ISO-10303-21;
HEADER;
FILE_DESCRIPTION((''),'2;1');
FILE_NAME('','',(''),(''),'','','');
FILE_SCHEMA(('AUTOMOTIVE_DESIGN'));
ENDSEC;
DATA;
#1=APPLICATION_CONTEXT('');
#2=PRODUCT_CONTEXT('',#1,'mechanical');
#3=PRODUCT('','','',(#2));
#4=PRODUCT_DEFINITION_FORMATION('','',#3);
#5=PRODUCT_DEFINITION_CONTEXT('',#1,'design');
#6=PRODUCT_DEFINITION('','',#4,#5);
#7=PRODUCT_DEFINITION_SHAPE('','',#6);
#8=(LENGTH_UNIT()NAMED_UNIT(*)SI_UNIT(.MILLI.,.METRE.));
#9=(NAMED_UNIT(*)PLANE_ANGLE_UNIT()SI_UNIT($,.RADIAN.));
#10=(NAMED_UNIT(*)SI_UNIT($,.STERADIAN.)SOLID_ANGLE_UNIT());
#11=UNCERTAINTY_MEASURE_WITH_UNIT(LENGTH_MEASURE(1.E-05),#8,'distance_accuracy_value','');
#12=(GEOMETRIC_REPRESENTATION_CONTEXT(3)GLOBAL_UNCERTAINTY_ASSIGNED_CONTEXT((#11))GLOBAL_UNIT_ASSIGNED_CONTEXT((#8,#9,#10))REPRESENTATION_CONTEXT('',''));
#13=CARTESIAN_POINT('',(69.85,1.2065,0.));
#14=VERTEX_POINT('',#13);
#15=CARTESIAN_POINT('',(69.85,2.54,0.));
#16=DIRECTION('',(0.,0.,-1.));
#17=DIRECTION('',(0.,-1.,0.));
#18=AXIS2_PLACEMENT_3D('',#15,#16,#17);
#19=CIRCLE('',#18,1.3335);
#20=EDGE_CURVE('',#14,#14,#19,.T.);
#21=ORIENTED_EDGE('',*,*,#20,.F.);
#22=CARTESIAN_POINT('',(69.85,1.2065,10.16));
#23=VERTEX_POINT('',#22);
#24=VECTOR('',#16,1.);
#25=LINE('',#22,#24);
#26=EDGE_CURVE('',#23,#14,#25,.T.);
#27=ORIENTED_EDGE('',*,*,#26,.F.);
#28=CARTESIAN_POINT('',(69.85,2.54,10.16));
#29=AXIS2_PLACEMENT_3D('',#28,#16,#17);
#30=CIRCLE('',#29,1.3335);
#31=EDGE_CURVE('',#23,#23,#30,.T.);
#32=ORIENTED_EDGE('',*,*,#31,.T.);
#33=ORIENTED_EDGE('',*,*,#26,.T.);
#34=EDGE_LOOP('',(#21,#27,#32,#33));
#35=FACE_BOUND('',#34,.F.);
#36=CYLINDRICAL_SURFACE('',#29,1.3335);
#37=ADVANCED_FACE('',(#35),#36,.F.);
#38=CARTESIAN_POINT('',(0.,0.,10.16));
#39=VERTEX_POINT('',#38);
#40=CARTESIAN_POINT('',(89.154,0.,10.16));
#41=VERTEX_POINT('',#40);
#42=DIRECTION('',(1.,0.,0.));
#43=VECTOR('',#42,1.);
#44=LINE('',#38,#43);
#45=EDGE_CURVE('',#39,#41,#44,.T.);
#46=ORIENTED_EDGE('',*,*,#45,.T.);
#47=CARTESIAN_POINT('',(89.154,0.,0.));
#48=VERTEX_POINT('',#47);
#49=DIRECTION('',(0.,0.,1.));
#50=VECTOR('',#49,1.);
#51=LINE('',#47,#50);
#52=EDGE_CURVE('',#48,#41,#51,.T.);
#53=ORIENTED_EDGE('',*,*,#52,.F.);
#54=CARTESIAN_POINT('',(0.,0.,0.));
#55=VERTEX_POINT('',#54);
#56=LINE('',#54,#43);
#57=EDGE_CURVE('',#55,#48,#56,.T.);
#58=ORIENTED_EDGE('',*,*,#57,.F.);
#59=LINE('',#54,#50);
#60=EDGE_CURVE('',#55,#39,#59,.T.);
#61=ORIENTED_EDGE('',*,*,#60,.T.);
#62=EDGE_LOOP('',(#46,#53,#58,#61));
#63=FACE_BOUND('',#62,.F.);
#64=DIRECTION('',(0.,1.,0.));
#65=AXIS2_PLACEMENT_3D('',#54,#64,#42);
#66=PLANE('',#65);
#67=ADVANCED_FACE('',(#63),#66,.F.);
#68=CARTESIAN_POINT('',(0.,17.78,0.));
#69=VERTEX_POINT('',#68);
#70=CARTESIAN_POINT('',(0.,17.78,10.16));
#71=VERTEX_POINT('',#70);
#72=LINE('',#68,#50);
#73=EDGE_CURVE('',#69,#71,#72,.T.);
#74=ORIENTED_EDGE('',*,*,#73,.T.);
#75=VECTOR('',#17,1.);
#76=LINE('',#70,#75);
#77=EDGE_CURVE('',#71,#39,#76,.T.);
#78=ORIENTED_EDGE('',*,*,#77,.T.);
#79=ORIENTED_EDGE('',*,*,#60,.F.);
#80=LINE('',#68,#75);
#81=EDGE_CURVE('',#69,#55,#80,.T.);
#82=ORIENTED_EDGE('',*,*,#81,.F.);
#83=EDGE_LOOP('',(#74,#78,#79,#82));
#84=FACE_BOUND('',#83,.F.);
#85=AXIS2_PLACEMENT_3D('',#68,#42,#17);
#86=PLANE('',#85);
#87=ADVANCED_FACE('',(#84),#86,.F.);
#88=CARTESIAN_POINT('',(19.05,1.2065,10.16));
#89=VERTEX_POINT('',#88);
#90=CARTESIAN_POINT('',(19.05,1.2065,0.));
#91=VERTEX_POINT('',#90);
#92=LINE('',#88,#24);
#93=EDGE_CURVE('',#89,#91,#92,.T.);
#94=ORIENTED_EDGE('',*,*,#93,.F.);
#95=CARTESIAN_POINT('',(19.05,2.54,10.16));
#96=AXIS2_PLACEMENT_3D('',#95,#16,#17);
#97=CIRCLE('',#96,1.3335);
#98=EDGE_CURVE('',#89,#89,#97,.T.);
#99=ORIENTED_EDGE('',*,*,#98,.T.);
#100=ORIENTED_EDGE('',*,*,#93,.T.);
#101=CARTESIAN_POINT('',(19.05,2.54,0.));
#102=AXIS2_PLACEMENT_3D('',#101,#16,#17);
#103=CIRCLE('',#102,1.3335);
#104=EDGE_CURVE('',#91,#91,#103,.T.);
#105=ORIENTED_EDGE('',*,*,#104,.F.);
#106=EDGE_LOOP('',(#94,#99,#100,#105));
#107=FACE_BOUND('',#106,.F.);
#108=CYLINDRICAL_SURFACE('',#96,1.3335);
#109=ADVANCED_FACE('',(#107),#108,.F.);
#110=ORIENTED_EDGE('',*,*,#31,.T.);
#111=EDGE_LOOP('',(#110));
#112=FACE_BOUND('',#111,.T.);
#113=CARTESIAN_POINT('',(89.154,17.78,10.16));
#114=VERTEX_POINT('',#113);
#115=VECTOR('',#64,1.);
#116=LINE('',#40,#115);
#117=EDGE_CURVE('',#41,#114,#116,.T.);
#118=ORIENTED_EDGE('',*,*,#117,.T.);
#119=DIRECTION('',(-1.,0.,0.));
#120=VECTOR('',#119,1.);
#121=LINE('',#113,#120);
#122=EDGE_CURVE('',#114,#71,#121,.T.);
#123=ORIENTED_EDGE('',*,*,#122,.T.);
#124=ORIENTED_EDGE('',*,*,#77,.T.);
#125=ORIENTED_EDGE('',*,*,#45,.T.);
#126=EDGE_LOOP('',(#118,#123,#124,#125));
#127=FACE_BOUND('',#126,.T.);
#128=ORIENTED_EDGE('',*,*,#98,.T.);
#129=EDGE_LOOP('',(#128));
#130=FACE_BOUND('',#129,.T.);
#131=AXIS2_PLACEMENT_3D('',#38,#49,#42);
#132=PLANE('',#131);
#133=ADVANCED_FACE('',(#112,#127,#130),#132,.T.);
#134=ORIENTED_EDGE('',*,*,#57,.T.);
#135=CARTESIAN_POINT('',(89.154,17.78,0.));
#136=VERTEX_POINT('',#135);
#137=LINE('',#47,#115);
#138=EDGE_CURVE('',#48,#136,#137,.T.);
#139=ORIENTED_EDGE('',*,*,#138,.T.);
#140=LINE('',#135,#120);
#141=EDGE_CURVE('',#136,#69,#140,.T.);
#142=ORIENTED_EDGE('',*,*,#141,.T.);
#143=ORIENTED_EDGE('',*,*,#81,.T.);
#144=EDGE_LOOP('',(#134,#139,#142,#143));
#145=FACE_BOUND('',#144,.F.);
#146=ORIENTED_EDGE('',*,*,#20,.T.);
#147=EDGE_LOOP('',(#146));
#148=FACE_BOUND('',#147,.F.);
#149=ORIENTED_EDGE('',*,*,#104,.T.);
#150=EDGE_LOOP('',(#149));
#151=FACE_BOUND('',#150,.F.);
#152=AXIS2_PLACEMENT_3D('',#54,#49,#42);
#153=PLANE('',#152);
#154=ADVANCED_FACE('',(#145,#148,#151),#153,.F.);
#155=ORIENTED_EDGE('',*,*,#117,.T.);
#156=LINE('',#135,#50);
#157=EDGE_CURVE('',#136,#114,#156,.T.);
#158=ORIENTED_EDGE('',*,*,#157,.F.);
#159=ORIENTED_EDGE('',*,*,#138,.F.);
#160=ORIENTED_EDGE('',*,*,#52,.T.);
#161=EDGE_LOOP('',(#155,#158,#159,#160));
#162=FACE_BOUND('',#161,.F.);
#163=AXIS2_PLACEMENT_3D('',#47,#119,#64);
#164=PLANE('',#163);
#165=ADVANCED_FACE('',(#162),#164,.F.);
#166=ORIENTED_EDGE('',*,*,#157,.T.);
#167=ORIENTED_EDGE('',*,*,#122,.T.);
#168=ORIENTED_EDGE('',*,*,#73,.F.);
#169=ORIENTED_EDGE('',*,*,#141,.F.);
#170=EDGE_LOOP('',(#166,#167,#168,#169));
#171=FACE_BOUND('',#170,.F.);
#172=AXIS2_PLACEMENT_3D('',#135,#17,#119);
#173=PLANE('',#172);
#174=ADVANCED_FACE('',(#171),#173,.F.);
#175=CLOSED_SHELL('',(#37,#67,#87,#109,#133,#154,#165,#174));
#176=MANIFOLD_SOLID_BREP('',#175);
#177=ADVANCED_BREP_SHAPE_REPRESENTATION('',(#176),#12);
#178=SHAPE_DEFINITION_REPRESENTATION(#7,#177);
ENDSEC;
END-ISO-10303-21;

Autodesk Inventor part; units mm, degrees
ref_plane "YZ Plane" through (0, 0, 0) normal (1, 0, 0) x (0, 1, 0)
ref_plane "XZ Plane" through (0, 0, 0) normal (0, 1, 0) x (-1, 0, 0)
ref_plane "XY Plane" through (0, 0, 0) normal (0, 0, 1) x (1, 0, 0)
sketch "Sketch1" plane through (0, 0, 0) normal (0, 0, 1) x (1, 0, 0)
  line L0 (0, 0) -> (89.154, 0)
  line L1 (89.154, 0) -> (89.154, 17.78)
  line L2 (89.154, 17.78) -> (0, 17.78)
  line L3 (0, 17.78) -> (0, 0)
  dimension "d0" = 89.154
  dimension "d1" = 17.78
extrude "Extrusion1" add sketch "Sketch1" along normal blind 10.16
sketch "Sketch2" plane through (0, 0, 10.16) normal (0, 0, 1) x (1, 0, 0)
  line L0 (0, 17.78) -> (0, 0) projected
  line L1 (0, 0) -> (89.154, 0) projected
  point P0 (19.05, 2.54)
  point P1 (69.85, 2.54)
  point P2 (0, 8.89)
  dimension "d4" = 19.05
  dimension "d5" = 50.8
  dimension "d6" = 2.54
hole "Hole1" at (19.05, 2.54, 10.16) at (69.85, 2.54, 10.16) direction (0, 0, -1) diameter 2.667 end through all
properties part number "Coupler"
